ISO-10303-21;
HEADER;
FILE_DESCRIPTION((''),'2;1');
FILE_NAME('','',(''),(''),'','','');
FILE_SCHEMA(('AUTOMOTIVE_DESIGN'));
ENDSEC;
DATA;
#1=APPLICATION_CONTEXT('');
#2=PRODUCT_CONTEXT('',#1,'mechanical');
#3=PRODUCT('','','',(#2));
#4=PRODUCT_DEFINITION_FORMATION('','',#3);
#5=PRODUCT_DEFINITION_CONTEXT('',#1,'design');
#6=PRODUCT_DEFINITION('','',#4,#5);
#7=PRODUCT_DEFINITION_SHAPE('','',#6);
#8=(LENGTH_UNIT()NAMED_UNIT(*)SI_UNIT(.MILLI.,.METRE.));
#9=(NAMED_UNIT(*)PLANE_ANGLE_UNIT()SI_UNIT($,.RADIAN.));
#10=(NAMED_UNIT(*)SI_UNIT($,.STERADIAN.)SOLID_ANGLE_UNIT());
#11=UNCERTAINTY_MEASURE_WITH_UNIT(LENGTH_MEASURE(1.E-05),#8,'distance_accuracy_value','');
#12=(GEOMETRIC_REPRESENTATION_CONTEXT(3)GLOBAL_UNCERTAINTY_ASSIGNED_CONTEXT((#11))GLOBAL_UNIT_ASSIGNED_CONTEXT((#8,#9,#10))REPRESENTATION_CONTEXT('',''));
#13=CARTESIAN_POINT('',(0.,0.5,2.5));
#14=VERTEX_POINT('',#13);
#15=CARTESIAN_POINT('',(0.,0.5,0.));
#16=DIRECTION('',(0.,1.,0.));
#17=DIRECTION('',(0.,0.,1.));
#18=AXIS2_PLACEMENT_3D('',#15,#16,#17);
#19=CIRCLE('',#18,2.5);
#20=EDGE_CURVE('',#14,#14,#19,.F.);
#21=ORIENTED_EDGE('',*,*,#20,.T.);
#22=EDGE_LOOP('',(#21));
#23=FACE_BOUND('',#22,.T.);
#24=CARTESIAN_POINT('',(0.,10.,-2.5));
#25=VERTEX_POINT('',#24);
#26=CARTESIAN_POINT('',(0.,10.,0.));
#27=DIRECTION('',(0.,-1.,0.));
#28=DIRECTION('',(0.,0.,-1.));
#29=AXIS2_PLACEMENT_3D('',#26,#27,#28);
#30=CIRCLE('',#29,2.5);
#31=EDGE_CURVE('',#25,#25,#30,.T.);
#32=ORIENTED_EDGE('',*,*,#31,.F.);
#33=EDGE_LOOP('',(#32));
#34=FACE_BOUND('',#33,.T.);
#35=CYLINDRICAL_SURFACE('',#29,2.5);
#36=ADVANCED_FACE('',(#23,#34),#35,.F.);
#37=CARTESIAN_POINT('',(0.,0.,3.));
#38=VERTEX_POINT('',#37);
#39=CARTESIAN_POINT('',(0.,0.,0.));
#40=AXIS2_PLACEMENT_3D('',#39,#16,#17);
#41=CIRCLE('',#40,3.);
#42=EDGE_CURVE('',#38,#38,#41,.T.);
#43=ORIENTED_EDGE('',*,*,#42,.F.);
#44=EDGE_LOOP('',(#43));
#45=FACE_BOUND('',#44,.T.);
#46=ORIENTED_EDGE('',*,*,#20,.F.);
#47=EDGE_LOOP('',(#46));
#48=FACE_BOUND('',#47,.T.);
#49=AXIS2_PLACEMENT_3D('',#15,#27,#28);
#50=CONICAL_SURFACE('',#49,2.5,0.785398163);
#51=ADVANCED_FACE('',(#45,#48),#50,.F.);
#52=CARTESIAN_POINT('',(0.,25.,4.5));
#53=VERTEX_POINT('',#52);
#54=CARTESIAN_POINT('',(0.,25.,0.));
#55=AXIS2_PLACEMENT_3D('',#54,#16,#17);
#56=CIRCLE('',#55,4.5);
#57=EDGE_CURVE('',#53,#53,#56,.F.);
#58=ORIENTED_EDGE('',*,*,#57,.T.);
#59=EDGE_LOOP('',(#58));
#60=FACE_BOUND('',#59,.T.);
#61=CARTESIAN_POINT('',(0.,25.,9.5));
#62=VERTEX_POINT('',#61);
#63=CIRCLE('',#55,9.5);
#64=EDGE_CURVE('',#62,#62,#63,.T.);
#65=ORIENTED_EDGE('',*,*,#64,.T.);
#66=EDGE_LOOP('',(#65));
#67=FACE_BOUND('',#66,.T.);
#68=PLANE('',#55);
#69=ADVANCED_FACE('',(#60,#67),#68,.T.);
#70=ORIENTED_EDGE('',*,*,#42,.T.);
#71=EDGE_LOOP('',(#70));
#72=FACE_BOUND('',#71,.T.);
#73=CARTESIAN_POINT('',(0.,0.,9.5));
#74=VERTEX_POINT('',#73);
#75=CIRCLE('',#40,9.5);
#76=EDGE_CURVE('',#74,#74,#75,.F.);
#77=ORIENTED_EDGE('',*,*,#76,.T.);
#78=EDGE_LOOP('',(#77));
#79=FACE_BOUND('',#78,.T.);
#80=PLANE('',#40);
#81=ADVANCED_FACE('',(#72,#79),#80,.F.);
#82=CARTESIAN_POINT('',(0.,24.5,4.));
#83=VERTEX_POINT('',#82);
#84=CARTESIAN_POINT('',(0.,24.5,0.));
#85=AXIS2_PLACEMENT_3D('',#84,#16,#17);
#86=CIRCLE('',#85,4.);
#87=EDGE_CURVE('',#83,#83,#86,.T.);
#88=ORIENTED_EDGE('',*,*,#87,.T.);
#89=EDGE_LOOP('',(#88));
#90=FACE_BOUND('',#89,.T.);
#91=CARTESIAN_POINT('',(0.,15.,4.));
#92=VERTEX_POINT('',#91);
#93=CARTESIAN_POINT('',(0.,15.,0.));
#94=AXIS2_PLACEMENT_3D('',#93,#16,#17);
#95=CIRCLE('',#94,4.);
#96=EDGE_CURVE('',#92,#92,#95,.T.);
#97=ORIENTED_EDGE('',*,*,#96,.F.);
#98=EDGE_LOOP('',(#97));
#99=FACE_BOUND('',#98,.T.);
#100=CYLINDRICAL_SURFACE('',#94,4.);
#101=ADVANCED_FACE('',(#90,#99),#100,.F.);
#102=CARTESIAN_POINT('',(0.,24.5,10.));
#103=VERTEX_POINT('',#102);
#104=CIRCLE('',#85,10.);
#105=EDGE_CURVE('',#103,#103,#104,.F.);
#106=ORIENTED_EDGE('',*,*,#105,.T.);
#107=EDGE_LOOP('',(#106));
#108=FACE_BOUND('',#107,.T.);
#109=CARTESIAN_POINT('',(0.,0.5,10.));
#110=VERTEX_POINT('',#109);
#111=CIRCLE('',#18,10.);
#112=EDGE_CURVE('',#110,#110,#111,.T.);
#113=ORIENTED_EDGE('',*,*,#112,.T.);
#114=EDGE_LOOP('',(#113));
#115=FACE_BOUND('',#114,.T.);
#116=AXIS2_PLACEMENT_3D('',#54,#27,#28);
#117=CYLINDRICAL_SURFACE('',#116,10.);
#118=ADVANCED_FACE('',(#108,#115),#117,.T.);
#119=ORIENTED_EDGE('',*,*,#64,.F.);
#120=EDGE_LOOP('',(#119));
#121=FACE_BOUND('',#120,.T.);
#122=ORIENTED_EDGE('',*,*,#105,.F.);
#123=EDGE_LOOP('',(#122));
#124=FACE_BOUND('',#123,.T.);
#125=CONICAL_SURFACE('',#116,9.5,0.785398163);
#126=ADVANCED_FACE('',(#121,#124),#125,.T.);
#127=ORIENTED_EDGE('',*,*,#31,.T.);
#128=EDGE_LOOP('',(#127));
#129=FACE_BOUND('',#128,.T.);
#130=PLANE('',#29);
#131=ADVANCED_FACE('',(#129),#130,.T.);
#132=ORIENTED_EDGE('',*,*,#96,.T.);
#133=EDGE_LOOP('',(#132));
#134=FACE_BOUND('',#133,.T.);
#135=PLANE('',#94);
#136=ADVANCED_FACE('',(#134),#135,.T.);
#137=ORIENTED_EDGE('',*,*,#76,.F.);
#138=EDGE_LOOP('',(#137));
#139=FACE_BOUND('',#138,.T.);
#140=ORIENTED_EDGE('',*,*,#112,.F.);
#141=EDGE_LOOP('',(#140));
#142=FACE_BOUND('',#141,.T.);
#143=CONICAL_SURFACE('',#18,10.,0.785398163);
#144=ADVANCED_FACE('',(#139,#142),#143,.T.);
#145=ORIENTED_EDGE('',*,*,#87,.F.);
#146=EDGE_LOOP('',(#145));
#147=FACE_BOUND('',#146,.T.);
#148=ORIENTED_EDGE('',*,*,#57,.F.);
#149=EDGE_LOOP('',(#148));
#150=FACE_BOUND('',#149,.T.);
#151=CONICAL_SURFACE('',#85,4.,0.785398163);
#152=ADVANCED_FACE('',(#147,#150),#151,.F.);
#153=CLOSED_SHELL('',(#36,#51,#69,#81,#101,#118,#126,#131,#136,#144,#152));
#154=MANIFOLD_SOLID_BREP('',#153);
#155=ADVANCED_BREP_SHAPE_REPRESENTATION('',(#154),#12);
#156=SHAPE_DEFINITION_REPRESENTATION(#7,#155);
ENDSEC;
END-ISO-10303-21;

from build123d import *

# Parameters (mm, degrees)
SKETCH1_R           = 10
BOSS_EXTRUDE1_DEPTH = 25
SKETCH2_R           = 4
CUT_EXTRUDE1_DEPTH  = 10
SKETCH3_R           = 2.5
CUT_EXTRUDE2_DEPTH  = 10
CHAMFER1_SIZE       = 0.5


with BuildPart() as part:
    # Sketch1 → Boss-Extrude1 (new body)
    with BuildSketch(Plane(origin=(0, 0, 0), x_dir=(1, 0, 0), z_dir=(0, 1, 0))):
        with Locations(Location((0, 0, 0), (0, 0, 270))):
            Circle(SKETCH1_R)
    extrude(amount=BOSS_EXTRUDE1_DEPTH)

    # Sketch2 → Cut-Extrude1 (cut)
    with BuildSketch(Plane(origin=(0, 25, 0), x_dir=(1, 0, 0), z_dir=(0, 1, 0))):
        with Locations(Location((0, 0, 0), (0, 0, 270))):
            Circle(SKETCH2_R)
    extrude(amount=-CUT_EXTRUDE1_DEPTH, mode=Mode.SUBTRACT)

    # Sketch3 → Cut-Extrude2 (cut)
    with BuildSketch(Plane.XZ):
        with Locations(Location((0, 0, 0), (0, 0, 270))):
            Circle(SKETCH3_R)
    extrude(amount=-CUT_EXTRUDE2_DEPTH, mode=Mode.SUBTRACT)

    # Chamfer1
    chamfer1_edges = [part.edges().sort_by_distance(p)[0] for p in [
        (0, 0, 2.5),
        (0, 0, -10),
        (0, 25, -10),
        (0, 25, -4),
    ]]
    chamfer(chamfer1_edges, length=CHAMFER1_SIZE)


solid = part.part
